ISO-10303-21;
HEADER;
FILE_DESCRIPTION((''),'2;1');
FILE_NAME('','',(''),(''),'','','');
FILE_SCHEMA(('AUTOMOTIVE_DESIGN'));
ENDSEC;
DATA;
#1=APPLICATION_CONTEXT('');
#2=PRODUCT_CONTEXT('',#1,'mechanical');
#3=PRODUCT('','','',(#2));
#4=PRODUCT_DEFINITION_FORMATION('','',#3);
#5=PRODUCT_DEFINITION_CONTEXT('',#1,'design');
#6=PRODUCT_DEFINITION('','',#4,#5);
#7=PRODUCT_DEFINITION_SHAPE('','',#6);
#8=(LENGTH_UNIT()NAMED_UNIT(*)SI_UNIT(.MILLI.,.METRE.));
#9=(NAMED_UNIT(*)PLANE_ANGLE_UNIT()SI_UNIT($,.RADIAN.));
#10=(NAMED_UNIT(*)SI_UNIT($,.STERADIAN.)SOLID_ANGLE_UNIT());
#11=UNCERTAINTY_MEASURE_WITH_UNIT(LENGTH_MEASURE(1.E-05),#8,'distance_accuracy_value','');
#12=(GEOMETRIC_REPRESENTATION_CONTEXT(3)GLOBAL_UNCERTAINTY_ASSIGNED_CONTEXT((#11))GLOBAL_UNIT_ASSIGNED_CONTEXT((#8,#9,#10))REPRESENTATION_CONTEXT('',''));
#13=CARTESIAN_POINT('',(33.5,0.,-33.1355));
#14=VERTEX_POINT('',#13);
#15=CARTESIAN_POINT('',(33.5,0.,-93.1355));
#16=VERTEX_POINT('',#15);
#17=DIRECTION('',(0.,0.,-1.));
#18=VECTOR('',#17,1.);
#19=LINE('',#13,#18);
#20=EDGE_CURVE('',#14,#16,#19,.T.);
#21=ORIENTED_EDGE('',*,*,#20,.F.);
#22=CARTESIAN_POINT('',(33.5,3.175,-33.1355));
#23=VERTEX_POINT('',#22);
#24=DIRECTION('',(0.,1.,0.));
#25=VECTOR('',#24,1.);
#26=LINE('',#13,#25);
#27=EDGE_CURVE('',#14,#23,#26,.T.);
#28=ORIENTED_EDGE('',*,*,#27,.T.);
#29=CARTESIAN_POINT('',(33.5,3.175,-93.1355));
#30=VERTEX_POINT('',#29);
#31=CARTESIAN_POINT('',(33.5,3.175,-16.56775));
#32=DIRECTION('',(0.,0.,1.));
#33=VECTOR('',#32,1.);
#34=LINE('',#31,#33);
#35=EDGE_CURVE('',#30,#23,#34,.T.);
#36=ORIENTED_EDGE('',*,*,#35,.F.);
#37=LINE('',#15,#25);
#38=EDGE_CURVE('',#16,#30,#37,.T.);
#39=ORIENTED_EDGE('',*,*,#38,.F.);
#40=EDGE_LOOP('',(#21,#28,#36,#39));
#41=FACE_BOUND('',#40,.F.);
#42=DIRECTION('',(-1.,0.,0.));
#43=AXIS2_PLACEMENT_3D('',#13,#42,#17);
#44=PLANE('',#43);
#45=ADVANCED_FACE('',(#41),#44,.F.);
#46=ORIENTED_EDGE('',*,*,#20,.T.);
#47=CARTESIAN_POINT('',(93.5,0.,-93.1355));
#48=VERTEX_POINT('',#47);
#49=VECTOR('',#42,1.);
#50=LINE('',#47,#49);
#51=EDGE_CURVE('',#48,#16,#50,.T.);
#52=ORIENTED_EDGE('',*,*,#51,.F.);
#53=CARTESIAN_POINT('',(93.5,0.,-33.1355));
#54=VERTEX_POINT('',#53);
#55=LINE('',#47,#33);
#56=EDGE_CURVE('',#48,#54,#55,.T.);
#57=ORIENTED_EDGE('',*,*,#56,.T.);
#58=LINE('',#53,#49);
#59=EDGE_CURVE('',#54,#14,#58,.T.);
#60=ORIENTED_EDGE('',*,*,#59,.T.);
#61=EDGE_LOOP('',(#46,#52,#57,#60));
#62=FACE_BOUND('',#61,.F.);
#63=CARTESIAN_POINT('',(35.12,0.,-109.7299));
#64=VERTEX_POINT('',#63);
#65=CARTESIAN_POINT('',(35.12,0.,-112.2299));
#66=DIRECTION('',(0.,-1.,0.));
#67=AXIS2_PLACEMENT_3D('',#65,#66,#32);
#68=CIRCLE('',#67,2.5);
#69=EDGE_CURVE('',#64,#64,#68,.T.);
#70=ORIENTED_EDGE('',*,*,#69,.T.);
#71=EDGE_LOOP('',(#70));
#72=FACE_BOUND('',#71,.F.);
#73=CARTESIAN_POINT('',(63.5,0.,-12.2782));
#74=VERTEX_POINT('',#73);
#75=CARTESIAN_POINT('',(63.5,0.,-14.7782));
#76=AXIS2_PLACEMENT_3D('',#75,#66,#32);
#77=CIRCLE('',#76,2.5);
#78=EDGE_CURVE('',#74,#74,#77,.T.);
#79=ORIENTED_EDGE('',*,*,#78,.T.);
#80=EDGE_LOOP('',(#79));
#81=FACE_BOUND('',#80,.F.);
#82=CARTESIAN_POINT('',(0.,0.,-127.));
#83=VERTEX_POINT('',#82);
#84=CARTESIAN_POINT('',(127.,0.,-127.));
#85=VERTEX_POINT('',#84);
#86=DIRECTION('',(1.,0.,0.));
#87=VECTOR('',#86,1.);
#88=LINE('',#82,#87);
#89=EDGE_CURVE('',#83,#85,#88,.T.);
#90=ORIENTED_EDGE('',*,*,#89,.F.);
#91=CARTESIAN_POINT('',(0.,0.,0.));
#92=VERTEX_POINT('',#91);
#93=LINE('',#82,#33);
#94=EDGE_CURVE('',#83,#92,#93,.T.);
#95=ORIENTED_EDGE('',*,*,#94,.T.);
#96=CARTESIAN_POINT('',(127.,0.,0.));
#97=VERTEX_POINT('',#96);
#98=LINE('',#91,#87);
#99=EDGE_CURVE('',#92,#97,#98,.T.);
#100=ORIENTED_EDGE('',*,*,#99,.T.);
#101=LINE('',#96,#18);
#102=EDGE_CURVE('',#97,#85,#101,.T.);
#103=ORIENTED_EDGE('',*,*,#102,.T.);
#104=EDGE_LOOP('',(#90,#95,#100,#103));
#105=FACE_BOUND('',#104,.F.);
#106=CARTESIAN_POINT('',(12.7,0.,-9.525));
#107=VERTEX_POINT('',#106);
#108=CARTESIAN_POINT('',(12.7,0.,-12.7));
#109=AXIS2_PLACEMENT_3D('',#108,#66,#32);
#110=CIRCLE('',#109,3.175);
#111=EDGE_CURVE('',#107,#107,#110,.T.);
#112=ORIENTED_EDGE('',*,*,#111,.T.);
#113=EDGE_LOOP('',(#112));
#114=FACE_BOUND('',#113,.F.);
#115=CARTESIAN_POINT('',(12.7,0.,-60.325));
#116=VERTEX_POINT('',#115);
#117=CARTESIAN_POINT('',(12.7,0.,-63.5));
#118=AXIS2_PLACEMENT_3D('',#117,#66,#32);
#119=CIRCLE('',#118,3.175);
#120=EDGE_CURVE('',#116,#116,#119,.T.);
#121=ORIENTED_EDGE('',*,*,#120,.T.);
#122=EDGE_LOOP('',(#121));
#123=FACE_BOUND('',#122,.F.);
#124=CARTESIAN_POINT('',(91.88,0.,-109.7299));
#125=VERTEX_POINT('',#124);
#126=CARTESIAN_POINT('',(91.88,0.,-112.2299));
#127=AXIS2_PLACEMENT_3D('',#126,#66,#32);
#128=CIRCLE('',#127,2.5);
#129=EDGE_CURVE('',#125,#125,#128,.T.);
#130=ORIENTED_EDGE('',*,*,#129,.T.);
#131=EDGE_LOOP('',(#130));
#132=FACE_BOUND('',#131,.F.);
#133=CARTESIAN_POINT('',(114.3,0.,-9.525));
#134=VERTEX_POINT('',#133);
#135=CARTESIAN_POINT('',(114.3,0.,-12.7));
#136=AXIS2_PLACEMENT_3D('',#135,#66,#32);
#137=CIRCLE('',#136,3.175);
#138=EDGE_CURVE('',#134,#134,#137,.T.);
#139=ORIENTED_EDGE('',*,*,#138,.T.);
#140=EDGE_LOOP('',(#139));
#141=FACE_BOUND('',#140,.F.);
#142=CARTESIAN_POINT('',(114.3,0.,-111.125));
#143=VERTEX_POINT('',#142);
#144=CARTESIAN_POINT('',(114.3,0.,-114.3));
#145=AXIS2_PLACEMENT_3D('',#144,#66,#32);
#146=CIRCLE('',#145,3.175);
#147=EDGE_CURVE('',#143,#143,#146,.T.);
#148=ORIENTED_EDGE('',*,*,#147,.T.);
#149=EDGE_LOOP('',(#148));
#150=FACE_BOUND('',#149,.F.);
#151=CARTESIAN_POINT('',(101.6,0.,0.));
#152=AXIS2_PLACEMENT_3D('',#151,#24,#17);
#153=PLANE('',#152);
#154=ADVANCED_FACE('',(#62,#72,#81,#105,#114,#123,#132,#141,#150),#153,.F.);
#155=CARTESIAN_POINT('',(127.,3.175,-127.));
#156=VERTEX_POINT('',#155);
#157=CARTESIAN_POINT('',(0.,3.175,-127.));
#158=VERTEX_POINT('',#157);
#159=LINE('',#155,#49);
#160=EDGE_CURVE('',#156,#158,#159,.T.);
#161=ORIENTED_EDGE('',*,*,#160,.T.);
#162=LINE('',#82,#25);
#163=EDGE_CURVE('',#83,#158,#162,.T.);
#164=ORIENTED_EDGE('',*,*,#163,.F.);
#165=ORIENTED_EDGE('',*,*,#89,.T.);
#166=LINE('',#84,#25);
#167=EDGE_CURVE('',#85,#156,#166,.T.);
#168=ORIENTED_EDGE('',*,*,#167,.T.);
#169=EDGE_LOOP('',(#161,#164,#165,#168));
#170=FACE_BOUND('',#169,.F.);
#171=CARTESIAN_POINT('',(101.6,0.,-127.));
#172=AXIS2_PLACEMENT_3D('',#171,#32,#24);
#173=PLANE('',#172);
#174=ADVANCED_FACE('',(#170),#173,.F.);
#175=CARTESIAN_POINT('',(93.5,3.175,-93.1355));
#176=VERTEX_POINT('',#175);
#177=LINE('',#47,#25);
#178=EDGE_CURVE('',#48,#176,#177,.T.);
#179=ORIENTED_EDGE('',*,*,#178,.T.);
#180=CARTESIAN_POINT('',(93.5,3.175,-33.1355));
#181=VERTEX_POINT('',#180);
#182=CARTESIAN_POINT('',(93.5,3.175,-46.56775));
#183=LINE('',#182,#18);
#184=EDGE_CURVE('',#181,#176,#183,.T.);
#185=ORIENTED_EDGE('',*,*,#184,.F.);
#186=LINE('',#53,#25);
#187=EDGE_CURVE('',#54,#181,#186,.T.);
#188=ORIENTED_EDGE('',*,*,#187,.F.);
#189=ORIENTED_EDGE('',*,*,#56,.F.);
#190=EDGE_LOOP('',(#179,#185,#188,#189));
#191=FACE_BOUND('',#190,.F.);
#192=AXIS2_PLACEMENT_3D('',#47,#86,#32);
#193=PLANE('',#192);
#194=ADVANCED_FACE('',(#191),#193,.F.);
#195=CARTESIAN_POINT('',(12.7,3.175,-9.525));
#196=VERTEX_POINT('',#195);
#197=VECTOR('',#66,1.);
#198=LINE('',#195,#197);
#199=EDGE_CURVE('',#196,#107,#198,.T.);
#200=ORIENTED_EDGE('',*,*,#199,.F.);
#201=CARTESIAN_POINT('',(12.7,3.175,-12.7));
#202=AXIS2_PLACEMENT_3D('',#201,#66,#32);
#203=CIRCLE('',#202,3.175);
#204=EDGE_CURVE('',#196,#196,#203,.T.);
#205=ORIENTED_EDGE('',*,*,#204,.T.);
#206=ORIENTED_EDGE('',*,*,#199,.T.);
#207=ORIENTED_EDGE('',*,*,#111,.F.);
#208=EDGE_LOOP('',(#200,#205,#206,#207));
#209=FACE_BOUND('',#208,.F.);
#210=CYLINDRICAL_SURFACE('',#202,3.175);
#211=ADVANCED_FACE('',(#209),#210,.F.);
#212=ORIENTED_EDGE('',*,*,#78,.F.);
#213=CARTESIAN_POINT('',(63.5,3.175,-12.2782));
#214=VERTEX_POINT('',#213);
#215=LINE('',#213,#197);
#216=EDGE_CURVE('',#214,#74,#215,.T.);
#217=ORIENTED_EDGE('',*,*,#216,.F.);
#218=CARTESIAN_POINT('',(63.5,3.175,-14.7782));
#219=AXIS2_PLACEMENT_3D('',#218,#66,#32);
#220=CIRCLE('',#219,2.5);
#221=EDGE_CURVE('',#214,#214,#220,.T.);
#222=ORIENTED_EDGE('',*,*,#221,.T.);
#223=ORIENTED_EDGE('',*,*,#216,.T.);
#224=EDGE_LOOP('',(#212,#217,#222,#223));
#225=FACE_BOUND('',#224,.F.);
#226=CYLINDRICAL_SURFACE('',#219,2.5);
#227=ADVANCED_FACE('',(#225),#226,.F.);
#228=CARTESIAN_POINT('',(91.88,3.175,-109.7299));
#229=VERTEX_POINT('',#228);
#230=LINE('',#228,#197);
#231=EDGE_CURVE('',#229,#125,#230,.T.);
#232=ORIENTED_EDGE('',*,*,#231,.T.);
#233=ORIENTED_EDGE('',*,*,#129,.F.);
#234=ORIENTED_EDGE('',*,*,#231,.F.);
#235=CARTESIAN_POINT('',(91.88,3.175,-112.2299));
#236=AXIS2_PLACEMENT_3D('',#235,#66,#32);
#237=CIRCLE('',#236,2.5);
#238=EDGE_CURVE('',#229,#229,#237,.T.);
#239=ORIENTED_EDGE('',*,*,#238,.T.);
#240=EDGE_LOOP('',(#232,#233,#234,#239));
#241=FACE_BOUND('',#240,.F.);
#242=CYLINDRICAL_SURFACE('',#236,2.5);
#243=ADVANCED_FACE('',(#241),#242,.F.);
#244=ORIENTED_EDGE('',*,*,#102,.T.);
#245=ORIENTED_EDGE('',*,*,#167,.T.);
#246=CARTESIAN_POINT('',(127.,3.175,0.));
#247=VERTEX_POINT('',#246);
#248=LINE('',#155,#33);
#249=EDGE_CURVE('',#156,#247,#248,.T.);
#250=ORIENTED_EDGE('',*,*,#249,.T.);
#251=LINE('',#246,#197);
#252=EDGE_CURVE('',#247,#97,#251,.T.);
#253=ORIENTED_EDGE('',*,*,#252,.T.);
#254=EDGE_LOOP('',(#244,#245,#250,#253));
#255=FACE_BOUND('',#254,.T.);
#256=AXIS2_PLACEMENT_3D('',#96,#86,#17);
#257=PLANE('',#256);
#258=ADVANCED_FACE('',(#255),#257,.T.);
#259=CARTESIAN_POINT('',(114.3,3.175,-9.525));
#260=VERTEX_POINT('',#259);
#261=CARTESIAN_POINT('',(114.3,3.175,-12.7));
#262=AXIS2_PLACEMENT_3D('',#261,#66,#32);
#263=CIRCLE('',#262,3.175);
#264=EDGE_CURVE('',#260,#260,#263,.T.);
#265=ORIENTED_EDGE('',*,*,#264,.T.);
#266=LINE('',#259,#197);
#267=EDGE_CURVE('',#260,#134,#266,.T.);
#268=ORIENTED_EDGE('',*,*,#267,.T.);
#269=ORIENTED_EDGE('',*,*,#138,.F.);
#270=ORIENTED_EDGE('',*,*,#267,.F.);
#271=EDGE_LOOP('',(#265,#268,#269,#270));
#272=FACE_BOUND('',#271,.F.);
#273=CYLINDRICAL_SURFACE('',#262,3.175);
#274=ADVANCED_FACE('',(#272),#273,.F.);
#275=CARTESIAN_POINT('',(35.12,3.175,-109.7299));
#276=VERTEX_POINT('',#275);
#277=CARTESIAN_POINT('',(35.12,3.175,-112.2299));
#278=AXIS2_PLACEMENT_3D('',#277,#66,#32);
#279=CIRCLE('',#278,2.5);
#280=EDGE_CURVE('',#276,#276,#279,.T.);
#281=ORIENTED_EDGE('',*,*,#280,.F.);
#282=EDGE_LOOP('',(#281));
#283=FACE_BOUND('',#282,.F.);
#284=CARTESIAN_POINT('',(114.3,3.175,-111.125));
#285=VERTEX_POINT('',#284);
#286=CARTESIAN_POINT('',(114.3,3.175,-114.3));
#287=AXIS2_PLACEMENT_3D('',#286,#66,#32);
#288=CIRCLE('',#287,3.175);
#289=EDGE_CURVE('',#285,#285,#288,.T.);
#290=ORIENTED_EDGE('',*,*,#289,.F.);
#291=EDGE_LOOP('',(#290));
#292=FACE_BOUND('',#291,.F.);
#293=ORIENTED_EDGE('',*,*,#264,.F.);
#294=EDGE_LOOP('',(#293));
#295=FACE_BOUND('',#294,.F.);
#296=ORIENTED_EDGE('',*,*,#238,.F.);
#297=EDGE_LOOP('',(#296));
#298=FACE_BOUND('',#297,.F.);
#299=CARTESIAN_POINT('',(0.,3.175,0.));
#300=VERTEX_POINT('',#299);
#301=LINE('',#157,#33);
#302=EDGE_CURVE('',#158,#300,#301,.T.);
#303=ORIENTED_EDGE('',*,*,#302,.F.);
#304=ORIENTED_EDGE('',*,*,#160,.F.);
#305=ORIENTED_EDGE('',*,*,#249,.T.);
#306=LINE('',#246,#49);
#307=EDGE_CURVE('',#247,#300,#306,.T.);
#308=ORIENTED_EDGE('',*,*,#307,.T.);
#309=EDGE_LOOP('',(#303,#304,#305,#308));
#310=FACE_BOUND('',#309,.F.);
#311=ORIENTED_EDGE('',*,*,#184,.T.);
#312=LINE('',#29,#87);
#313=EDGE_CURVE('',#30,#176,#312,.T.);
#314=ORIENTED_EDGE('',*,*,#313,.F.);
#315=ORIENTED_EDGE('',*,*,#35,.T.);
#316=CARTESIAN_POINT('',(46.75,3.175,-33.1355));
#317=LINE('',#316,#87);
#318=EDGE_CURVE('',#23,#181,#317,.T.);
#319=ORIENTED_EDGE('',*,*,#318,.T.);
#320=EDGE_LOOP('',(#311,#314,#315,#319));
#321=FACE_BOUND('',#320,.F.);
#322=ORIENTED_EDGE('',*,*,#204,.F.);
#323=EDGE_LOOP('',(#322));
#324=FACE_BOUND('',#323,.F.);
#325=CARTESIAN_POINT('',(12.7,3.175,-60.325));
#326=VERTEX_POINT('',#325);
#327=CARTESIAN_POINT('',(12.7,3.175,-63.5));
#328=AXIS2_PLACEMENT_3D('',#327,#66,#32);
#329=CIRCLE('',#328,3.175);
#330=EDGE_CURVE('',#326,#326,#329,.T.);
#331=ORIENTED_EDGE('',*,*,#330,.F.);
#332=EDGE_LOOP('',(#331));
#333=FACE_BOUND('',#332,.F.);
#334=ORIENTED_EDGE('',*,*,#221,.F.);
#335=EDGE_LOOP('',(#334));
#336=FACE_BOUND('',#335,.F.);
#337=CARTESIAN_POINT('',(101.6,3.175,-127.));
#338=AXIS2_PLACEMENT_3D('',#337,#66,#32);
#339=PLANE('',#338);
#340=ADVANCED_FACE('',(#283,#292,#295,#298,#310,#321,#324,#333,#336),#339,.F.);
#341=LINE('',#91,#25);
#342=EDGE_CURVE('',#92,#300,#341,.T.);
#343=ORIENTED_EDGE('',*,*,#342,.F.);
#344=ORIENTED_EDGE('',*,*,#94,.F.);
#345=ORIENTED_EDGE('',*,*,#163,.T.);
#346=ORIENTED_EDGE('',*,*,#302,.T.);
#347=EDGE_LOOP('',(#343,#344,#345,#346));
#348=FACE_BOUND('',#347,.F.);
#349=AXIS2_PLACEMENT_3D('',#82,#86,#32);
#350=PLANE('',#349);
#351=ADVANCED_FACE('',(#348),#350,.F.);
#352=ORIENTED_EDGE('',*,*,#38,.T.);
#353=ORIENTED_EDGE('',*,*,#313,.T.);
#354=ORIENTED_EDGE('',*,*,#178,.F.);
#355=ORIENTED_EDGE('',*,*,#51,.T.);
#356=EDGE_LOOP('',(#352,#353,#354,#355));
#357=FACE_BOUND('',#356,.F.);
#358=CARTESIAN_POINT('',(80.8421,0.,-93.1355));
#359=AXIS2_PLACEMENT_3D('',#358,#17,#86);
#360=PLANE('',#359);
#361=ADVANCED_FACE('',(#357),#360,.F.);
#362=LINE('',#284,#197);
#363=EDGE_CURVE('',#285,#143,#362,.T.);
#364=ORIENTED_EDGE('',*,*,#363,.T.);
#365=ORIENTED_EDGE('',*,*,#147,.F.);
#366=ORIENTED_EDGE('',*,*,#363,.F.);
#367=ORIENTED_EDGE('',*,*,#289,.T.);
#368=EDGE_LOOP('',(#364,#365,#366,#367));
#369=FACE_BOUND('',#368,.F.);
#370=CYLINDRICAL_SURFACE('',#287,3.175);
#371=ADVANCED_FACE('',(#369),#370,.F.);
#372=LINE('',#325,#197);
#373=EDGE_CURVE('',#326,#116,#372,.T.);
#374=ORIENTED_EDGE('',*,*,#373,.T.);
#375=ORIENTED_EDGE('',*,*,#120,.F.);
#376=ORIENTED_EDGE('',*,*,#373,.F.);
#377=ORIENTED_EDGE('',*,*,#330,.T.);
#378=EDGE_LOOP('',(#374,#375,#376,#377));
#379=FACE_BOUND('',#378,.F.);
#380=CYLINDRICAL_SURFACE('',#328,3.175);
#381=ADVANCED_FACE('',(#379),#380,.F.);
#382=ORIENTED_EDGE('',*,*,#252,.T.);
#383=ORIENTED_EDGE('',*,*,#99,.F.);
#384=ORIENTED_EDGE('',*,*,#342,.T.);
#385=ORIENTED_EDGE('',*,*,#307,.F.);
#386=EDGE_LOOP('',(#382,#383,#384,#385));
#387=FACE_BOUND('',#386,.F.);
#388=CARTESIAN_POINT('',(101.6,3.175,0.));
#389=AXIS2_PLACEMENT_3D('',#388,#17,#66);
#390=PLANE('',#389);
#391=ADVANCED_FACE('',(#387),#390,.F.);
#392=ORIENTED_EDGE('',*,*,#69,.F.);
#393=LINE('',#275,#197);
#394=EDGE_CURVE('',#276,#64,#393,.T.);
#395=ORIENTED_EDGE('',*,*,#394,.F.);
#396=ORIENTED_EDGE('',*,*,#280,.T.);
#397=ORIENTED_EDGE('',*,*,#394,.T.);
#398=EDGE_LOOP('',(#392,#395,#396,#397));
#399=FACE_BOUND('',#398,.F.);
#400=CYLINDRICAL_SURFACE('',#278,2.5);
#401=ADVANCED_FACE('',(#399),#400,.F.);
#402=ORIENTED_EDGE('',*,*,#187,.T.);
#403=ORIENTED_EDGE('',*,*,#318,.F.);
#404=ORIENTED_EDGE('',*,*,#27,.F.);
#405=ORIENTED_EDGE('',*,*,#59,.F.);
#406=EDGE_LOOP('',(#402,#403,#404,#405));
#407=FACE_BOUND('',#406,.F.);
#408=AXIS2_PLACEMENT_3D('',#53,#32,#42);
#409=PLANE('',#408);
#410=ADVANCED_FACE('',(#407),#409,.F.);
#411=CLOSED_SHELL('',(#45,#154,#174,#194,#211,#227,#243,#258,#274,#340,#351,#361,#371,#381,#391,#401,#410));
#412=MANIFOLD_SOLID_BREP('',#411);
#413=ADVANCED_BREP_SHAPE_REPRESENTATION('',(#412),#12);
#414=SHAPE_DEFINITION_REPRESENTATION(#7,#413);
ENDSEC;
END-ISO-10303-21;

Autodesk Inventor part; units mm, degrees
ref_plane "YZ Plane" through (0, 0, 0) normal (1, 0, 0) x (0, 1, 0)
ref_plane "XZ Plane" through (0, 0, 0) normal (0, 1, 0) x (-1, 0, 0)
ref_plane "XY Plane" through (0, 0, 0) normal (0, 0, 1) x (1, 0, 0)
sketch "Sketch2" plane through (0, 0, 0) normal (0, 1, 0) x (-1, 0, 0)
  line L0 (0, 0) -> (-101.6, 0)
  line L1 (-101.6, 0) -> (-101.6, -127)
  line L2 (-101.6, -127) -> (0, -127)
  line L3 (0, -127) -> (0, 0)
  dimension "d0" = 127
  dimension "d1" = 101.6
extrude "Extrusion1" add sketch "Sketch2" along normal blind 3.175
sketch "Sketch3" plane through (0, 3.175, 0) normal (0, 1, 0) x (1, 0, 0)
  line L0 (101.6, 127) -> (0, 127) projected
  line L1 (35.12, 112.2299) -> (63.5, 14.7782)
  line L2 (63.5, 14.7782) -> (91.88, 112.2299)
  line L3 (0, 127) -> (0, 0) projected
  line L4 (0, 0) -> (101.6, 0) projected
  dimension "d5" = 14.7701
  dimension "d6" = 14.7701
  dimension "d9" = 56.76
  dimension "d27" = 101.5
  dimension "d28" = 101.5
  dimension "d58" = 63.5
  dimension "d60" = 97.4517
  dimension "d61" = 14.7782
hole "Hole1" at (35.12, 3.175, -112.2299) at (91.88, 3.175, -112.2299) at (63.5, 3.175, -14.7782) direction (0, -1, 0) diameter 5 end through all
sketch "Sketch5" plane through (0, 0, 0) normal (0, -1, 0) x (1, 0, 0)
  circle A0 centre (91.88, -112.2299) radius 2.5 projected
  circle A1 centre (35.12, -112.2299) radius 2.5 projected
  line L0 (63.5, -63.1355) -> (91.88, -112.2299)
  line L1 (33.5, -93.1355) -> (93.5, -93.1355)
  line L2 (93.5, -93.1355) -> (93.5, -33.1355)
  line L3 (93.5, -33.1355) -> (33.5, -33.1355)
  line L4 (33.5, -33.1355) -> (33.5, -93.1355)
  line L5 (33.5, -93.1355) -> (93.5, -33.1355) construction
  line L6 (93.5, -93.1355) -> (33.5, -33.1355) construction
  dimension "d33" = 56.707
  dimension "d34" = 56.707
  dimension "d56" = 60
  dimension "d57" = 60
extrude "Extrusion2" cut sketch "Sketch5" against normal blind 25.4 contours L1 L4 L3 L2
sketch "Sketch6" plane through (101.6, 0, 0) normal (1, 0, 0) x (0, 0, -1)
  line L0 (0, 0) -> (127, 0) projected
  line L1 (127, 0) -> (127, 3.175) projected
  line L2 (0, 0) -> (127, 0)
  line L3 (127, 0) -> (127, 3.175)
  line L4 (127, 3.175) -> (0, 3.175)
  line L5 (0, 3.175) -> (0, 0)
extrude "Extrusion3" add sketch "Sketch6" along normal blind 25.4
sketch "Sketch7" plane through (0, 3.175, 0) normal (0, 1, 0) x (1, 0, 0)
  line L0 (0, 0) -> (127, 0) projected
  line L1 (127, 127) -> (127, 0) projected
  line L2 (0, 127) -> (127, 127) projected
  line L3 (0, 127) -> (0, 0) projected
  point P0 (12.7, 63.5)
  point P1 (114.3, 114.3)
  point P2 (114.3, 12.7)
  point P3 (12.7, 12.7)
  dimension "d39" = 63.5
  dimension "d40" = 12.7
  dimension "d41" = 12.7
  dimension "d42" = 12.7
  dimension "d43" = 12.7
  dimension "d44" = 12.7
  dimension "d45" = 12.7
  dimension "d46" = 113.5923
  dimension "d47" = 101.6
  dimension "d48" = 50.8
  dimension "d59" = 101.6
hole "Hole2" at (12.7, 3.175, -63.5) at (114.3, 3.175, -114.3) at (114.3, 3.175, -12.7) at (12.7, 3.175, -12.7) direction (0, -1, 0) diameter 6.35 end through all
properties part number "Window_MotorMounting" material "Aluminum 6061"
